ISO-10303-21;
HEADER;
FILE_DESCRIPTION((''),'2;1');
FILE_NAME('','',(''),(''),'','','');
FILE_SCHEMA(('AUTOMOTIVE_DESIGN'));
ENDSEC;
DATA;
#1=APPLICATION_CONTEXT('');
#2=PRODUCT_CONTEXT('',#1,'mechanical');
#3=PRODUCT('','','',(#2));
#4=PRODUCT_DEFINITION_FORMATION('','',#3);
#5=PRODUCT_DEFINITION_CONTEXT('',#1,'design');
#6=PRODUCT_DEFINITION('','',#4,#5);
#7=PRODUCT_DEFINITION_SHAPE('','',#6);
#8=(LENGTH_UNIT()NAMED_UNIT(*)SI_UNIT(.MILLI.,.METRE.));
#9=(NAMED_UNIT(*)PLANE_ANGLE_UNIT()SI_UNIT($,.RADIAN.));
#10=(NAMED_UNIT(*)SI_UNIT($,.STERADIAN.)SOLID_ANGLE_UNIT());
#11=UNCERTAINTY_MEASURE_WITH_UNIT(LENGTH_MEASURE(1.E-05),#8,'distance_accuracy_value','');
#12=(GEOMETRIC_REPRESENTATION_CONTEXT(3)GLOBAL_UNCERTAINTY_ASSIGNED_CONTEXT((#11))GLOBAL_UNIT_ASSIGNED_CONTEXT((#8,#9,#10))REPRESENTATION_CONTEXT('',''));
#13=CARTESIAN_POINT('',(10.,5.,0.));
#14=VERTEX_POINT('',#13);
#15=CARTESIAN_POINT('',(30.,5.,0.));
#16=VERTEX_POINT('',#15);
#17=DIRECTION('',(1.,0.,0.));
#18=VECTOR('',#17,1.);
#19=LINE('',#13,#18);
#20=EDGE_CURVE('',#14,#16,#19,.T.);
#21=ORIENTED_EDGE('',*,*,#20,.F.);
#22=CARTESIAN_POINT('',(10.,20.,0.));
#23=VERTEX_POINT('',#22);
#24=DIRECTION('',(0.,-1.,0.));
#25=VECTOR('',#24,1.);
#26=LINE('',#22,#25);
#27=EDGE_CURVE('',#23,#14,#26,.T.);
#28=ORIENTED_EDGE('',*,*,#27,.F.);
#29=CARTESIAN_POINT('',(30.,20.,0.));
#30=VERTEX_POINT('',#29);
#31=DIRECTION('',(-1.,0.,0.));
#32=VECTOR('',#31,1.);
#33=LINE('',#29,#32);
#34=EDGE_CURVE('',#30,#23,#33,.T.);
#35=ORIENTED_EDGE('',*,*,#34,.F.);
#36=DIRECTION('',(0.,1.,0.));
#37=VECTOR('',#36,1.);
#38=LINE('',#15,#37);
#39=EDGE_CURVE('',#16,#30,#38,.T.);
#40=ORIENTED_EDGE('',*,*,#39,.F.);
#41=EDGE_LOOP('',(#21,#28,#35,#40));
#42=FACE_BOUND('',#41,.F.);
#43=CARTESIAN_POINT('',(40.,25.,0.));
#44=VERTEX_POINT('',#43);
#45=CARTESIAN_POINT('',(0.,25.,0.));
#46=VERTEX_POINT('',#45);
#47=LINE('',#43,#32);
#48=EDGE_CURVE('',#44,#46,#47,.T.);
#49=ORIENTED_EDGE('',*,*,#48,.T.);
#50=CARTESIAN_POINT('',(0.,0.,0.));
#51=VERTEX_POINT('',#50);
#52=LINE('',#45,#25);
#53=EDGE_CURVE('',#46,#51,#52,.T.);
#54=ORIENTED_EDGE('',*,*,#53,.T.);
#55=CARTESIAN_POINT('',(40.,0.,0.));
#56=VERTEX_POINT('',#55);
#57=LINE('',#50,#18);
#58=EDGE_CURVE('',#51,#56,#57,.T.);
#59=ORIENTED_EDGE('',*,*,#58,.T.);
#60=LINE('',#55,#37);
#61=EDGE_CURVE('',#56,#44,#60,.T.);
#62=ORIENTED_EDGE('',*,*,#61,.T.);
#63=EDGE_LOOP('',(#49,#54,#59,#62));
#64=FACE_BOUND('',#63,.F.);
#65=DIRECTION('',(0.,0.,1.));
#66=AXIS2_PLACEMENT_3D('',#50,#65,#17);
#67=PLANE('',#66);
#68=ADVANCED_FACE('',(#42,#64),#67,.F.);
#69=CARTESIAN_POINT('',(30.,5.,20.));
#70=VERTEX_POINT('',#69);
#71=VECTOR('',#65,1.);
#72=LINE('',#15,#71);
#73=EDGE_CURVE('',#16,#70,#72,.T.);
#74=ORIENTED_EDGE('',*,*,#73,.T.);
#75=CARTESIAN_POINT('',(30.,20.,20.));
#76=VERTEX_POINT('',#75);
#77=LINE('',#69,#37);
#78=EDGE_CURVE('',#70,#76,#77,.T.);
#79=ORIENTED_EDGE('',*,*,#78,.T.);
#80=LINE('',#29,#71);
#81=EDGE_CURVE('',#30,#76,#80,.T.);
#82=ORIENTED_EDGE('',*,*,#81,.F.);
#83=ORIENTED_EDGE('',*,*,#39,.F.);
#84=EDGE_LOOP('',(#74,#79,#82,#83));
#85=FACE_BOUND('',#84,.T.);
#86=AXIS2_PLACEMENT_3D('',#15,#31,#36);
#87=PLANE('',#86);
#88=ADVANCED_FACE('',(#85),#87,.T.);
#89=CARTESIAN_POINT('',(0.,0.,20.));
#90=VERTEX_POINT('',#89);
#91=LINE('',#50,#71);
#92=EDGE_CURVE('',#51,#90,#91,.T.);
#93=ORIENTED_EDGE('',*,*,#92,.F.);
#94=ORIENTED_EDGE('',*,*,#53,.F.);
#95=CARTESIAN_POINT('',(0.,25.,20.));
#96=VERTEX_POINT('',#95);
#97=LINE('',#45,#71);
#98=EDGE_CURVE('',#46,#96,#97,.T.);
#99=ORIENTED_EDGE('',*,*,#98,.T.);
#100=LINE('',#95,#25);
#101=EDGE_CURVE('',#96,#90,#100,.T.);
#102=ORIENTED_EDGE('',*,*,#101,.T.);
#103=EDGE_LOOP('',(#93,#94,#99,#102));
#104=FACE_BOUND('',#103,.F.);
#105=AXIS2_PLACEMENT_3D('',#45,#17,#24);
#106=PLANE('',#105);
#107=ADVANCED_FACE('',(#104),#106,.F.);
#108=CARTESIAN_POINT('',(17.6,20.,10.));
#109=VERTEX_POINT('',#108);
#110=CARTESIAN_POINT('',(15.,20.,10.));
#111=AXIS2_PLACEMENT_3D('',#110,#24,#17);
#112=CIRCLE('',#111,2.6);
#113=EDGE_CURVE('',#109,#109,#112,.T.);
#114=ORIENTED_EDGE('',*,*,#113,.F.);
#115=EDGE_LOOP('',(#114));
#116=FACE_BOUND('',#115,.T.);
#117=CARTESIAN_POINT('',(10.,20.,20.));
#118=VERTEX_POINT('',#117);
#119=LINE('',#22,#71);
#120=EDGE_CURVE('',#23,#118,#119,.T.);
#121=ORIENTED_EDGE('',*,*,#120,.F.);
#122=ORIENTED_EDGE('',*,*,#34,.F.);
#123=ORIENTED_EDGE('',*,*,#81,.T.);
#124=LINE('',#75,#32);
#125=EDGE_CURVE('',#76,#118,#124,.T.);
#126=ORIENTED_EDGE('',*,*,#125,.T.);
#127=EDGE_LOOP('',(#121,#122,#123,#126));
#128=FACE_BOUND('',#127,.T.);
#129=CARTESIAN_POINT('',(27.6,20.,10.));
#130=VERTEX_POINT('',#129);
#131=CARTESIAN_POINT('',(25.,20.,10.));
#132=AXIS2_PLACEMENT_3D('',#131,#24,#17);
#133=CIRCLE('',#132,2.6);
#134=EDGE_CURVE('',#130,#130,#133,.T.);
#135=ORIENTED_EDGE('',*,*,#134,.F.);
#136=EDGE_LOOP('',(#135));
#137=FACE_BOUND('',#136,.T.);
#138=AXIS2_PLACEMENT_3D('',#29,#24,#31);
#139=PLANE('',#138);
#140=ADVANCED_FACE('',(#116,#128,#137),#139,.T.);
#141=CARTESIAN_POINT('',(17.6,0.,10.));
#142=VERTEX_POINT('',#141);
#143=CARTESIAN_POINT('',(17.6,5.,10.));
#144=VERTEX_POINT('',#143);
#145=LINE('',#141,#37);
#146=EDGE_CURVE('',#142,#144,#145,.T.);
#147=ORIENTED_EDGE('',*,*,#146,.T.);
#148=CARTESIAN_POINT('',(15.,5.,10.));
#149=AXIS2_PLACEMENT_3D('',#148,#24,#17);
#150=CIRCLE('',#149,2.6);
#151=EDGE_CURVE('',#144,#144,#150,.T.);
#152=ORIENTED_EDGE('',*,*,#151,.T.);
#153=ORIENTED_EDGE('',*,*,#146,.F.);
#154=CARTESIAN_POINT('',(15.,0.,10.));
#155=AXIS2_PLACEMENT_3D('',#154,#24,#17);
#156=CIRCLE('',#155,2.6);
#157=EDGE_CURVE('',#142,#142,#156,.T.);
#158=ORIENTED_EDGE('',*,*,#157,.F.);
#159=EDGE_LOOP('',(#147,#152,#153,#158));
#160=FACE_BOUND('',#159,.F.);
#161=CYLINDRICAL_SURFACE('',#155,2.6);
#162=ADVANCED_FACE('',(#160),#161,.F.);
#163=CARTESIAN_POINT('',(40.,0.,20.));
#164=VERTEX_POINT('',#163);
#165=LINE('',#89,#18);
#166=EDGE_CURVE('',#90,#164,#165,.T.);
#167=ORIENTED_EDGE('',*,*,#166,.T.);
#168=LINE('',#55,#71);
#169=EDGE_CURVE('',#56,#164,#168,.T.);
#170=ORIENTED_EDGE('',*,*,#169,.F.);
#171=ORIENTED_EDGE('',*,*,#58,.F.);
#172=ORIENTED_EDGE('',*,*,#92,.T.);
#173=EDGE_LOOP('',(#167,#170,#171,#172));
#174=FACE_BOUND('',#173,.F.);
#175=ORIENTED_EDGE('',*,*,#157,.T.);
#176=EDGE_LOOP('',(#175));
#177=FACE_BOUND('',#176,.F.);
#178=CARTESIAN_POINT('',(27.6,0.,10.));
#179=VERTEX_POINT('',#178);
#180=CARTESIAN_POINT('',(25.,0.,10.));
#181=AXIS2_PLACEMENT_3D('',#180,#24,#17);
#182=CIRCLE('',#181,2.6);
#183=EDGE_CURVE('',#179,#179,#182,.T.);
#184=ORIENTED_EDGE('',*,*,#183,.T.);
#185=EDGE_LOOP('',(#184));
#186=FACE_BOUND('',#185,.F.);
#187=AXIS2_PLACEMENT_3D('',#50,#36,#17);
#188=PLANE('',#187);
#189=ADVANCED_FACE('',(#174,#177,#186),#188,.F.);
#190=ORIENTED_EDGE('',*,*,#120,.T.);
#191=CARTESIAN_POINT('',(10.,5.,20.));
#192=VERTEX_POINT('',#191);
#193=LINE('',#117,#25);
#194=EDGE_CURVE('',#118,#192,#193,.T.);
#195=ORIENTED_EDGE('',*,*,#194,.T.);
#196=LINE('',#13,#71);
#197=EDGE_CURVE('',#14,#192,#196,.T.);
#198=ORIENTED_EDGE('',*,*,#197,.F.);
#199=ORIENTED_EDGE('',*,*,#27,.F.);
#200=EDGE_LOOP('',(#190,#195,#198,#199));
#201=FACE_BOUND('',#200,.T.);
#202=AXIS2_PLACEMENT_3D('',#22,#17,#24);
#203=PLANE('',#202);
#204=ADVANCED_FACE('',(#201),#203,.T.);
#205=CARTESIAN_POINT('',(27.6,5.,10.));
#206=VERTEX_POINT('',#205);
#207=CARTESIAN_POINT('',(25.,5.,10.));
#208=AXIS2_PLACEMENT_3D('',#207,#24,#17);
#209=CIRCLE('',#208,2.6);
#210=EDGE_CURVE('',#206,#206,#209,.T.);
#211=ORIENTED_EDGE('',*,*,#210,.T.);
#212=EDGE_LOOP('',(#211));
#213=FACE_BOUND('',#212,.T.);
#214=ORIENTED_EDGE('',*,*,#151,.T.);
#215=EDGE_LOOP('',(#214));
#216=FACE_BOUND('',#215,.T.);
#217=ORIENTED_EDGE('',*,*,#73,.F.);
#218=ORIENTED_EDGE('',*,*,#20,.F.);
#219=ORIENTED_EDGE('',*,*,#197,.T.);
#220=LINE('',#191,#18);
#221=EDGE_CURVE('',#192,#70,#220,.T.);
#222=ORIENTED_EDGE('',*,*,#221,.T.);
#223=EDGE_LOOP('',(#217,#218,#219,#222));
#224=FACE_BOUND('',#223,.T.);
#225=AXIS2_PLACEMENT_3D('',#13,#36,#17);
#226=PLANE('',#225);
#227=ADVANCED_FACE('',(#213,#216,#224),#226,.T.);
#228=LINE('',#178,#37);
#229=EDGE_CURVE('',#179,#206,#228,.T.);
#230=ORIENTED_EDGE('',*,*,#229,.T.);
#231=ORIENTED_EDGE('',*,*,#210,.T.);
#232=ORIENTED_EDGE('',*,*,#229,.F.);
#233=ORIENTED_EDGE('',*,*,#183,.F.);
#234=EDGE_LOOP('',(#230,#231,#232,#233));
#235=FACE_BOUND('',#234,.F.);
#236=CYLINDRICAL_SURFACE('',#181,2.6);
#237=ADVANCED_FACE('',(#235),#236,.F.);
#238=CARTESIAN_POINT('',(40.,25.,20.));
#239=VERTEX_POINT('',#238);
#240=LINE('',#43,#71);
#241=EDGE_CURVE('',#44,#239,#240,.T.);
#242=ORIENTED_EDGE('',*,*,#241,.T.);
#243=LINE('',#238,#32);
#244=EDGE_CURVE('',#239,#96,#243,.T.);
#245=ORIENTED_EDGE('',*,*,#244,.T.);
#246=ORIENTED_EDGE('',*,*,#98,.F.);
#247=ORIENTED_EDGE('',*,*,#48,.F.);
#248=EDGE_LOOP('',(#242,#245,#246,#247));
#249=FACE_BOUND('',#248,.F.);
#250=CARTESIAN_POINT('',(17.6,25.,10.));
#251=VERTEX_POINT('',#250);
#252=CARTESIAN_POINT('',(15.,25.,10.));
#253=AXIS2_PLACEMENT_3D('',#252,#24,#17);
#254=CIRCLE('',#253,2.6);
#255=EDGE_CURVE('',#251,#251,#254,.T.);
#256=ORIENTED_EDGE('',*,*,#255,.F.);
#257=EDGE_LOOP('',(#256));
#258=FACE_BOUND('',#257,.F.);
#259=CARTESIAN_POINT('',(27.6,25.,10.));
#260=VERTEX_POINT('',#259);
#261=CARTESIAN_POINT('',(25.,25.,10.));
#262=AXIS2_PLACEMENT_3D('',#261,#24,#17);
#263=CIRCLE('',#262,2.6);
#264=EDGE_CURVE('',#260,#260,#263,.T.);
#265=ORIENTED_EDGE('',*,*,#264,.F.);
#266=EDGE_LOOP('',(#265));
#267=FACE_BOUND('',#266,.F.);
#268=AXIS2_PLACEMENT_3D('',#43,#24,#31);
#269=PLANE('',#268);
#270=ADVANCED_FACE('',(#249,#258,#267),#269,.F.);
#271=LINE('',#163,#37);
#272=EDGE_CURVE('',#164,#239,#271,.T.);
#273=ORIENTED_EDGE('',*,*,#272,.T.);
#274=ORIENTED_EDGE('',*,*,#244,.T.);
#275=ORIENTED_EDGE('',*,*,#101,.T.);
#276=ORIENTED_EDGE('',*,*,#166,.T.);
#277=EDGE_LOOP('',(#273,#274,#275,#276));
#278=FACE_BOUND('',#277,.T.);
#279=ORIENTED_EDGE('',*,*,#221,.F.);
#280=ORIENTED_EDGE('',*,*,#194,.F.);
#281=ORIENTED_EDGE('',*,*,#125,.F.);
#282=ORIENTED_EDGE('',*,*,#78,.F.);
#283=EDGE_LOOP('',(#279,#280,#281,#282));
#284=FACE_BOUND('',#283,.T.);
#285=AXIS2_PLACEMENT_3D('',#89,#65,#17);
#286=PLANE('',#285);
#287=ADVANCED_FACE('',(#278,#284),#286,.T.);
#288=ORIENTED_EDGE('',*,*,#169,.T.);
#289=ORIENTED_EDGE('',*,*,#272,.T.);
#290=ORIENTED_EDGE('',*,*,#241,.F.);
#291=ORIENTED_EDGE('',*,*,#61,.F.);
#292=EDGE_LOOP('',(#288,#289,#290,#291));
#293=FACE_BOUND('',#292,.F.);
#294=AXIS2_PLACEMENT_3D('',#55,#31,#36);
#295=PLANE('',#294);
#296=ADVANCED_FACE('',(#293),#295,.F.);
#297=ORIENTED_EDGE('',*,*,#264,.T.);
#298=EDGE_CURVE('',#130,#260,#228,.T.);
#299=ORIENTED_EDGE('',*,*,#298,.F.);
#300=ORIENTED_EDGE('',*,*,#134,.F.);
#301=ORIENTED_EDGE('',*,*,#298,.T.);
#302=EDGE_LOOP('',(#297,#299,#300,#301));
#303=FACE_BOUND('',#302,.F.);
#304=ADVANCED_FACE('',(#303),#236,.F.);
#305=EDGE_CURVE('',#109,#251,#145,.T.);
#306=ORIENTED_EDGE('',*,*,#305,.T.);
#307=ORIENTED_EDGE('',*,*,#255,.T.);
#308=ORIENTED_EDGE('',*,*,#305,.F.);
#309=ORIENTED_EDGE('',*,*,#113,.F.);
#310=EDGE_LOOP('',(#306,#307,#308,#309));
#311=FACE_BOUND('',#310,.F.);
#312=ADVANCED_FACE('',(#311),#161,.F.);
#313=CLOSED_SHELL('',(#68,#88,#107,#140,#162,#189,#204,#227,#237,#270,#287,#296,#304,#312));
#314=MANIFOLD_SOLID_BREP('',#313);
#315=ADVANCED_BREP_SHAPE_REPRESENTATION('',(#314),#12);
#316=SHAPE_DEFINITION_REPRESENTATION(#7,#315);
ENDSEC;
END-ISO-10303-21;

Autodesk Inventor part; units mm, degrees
ref_plane "YZ Plane" through (0, 0, 0) normal (1, 0, 0) x (0, 1, 0)
ref_plane "XZ Plane" through (0, 0, 0) normal (0, 1, 0) x (-1, 0, 0)
sketch "스케치1" plane through (0, 0, 0) normal (0, 0, 1) x (1, 0, 0)
  line L0 (0, 0) -> (40, 0)
  line L1 (40, 0) -> (40, 25)
  line L2 (40, 25) -> (0, 25)
  line L3 (0, 25) -> (0, 0)
  line L4 (10, 5) -> (30, 5)
  line L5 (30, 5) -> (30, 20)
  line L6 (30, 20) -> (10, 20)
  line L7 (10, 20) -> (10, 5)
  point P0 (20, 20)
  point P1 (20, 25)
  point P2 (10, 12.5)
  point P3 (0, 12.5)
  dimension "d0" = 25
  dimension "d1" = 40
  dimension "d4" = 5
  dimension "d5" = 10
extrude "돌출1" add sketch "스케치1" along normal blind 20 contours L3 L2 L1 L0 | L7 L6 L5 L4
extrude "돌출2" cut sketch "스케치1" along normal blind 20 contours L7 L6 L5 L4
sketch "스케치2" plane through (0, 0, 0) normal (0, -1, 0) x (1, 0, 0)
  line L0 (10, 0) -> (10, 20) projected
  line L1 (0, 0) -> (40, 0) projected
  line L2 (40, 0) -> (40, 20) projected
  line L3 (0, 20) -> (40, 20) projected
  line L4 (0, 0) -> (0, 20) projected
  line L5 (30, 0) -> (30, 20) projected
  circle A0 centre (15, 10) radius 2.6
  circle A1 centre (25, 10) radius 2.6
  point P0 (10, 10)
  point P1 (20, 20)
  dimension "d11" = 5.2
  dimension "d12" = 5.2
  dimension "d13" = 10
  dimension "d14" = 5
extrude "돌출3" cut sketch "스케치2" against normal through all contours A0 | A1
ref_plane "작업 평면1" through (0, 12.5, 0) normal (0, -1, 0) x (1, 0, 0)
properties part number "다리 연결 부품-3"
